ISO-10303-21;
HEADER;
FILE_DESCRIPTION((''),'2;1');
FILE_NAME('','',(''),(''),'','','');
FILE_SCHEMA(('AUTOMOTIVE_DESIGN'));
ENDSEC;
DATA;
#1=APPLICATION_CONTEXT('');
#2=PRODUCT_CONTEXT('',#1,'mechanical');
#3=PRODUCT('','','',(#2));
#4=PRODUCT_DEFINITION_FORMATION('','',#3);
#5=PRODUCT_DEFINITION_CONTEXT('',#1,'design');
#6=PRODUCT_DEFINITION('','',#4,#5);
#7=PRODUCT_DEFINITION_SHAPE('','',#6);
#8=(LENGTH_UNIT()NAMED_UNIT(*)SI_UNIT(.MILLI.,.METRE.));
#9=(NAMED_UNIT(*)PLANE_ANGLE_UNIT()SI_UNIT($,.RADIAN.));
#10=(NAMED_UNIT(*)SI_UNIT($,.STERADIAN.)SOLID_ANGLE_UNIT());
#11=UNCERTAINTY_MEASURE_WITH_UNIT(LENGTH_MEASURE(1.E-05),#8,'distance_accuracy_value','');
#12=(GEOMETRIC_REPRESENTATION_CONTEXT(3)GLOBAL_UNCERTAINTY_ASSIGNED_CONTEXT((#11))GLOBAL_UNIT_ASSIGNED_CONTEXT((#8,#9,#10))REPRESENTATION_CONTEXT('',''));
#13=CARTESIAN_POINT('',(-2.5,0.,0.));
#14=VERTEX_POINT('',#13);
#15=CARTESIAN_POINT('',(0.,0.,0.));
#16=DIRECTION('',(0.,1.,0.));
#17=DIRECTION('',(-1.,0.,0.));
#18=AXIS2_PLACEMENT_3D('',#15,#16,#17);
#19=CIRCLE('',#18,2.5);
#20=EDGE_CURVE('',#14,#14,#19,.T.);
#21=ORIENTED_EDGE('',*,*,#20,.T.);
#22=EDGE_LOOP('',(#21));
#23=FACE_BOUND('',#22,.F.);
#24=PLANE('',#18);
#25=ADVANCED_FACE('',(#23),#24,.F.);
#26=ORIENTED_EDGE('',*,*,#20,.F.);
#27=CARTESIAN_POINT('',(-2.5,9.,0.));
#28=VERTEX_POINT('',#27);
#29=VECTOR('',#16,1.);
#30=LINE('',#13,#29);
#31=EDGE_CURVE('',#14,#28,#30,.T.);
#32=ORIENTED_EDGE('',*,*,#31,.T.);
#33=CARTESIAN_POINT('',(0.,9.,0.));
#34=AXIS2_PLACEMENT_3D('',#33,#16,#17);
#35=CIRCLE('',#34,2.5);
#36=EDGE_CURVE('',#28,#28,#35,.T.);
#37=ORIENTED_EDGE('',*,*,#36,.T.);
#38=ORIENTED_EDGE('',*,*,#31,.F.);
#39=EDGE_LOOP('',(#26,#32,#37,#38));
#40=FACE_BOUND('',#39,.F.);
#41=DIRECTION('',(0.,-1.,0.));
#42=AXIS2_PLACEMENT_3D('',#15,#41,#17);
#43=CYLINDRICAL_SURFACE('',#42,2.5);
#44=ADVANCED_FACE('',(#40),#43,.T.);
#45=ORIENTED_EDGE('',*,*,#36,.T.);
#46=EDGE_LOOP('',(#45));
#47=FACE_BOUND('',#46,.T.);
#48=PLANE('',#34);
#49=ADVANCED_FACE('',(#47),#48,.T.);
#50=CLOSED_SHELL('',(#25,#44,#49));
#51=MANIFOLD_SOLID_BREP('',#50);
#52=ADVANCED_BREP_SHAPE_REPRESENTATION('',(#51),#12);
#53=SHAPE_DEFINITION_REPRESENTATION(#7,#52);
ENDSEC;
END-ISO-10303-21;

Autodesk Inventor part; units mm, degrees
ref_plane "YZ Plane" through (0, 0, 0) normal (1, 0, 0) x (0, 1, 0)
ref_plane "XZ Plane" through (0, 0, 0) normal (0, 1, 0) x (-1, 0, 0)
ref_plane "XY Plane" through (0, 0, 0) normal (0, 0, 1) x (1, 0, 0)
sketch "Sketch1" plane through (0, 0, 0) normal (0, 1, 0) x (-1, 0, 0)
  circle A0 centre (0, 0) radius 2.5
  dimension "d0" = 5
extrude "Extrusion1" add sketch "Sketch1" along normal blind 9
properties part number "EjeTobillo"
